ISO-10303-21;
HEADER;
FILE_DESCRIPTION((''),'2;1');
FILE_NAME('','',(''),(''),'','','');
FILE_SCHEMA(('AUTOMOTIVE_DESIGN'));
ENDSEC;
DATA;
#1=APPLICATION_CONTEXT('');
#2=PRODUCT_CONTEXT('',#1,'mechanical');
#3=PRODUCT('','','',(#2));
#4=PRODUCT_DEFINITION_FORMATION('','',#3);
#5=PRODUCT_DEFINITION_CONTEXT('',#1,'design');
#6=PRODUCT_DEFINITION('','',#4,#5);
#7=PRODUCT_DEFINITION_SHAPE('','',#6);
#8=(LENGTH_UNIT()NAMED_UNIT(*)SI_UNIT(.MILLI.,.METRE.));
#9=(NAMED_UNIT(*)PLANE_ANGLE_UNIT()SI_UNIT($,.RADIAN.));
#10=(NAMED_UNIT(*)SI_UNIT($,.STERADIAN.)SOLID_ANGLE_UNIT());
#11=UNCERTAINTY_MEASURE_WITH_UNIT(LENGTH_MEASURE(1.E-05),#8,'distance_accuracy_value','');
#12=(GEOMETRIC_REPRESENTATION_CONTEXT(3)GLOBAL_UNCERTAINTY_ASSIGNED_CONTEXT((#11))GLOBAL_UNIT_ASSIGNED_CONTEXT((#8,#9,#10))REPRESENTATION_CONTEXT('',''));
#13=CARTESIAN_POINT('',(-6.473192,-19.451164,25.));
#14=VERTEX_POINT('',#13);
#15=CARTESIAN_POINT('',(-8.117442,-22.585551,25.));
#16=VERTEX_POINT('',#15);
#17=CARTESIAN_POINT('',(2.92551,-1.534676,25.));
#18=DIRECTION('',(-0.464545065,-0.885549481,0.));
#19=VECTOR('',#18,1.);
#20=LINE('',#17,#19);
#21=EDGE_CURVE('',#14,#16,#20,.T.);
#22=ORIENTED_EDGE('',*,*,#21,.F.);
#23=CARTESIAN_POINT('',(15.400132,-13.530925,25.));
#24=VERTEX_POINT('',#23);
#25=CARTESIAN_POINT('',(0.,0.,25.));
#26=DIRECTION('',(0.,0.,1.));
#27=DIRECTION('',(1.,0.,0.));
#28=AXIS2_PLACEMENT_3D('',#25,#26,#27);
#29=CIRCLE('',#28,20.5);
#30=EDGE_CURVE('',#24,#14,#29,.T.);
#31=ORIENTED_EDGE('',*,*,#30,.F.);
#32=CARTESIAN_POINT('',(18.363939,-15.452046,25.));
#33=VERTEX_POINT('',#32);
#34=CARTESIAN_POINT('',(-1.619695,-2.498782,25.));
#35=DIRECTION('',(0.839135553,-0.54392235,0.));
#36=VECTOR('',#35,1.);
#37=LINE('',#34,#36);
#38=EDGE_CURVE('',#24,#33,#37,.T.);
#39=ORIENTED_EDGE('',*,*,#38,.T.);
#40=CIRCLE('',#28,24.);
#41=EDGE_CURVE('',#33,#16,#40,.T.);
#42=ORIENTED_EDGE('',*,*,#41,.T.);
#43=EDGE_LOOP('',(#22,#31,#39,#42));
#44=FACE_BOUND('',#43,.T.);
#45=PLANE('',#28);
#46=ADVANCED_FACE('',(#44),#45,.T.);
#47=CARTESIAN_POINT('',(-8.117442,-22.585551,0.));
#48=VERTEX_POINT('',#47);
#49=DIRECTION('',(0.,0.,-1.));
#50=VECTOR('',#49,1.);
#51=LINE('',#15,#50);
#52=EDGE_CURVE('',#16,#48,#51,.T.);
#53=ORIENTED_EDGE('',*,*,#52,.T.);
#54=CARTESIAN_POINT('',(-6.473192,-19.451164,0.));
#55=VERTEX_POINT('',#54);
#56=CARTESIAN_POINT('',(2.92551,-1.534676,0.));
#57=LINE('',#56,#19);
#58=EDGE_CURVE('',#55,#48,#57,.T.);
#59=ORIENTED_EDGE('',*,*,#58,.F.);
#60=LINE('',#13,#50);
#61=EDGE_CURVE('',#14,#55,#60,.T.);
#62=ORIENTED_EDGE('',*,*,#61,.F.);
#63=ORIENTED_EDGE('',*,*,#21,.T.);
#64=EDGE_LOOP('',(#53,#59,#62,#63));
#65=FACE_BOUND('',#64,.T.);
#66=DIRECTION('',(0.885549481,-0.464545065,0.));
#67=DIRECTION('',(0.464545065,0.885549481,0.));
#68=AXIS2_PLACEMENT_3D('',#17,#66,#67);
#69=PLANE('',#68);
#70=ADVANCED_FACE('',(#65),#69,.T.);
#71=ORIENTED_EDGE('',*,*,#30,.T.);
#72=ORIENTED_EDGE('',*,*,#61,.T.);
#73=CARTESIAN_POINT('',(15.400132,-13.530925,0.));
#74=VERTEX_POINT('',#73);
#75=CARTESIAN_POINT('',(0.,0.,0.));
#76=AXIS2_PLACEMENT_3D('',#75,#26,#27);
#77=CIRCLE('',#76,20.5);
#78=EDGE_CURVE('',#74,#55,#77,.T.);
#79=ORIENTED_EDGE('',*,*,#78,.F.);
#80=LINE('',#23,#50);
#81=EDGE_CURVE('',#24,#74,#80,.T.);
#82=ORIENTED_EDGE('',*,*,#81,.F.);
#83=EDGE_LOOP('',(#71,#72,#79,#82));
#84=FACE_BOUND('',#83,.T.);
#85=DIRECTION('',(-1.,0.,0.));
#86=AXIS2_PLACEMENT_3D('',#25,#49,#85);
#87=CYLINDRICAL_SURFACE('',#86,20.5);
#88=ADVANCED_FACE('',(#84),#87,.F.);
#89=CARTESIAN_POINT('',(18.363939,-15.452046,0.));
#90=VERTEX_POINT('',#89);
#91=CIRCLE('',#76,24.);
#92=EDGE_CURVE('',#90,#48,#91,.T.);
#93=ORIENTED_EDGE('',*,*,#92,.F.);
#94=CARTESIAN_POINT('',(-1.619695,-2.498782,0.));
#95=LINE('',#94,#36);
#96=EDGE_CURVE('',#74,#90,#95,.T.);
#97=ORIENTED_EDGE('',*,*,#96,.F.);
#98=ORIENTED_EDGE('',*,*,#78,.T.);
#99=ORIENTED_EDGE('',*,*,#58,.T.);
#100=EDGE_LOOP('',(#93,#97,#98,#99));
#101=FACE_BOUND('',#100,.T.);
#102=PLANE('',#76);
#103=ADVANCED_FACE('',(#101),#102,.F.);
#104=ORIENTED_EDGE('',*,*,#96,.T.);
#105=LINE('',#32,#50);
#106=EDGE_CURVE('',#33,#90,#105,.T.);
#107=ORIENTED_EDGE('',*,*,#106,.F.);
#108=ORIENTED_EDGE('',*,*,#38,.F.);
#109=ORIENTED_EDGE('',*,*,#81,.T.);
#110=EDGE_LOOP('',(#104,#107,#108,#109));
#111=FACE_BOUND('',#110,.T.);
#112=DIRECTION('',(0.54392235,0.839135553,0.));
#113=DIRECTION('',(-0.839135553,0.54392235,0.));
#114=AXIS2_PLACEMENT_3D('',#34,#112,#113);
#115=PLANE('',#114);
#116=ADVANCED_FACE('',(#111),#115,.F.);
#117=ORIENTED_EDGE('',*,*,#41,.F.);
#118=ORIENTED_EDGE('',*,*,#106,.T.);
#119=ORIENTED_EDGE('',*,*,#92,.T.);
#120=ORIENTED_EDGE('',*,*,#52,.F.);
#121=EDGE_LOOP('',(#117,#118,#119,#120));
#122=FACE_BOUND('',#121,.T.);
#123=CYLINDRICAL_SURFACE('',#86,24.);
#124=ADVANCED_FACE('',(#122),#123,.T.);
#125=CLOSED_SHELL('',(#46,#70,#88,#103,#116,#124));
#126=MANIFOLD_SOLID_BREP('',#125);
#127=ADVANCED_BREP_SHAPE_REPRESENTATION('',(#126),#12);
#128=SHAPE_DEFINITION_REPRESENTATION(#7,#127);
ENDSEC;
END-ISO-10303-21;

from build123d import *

# Parameters (mm, degrees)
BOSS_EXTRUDE1_DEPTH = 25


with BuildPart() as part:
    # Sketch1 → Boss-Extrude1 (new body)
    with BuildSketch(Plane.XY):
        with BuildLine():
            Line((-8.117441967, -22.585551486), (-6.473192498, -19.451163947))
            ThreePointArc((-6.473192498, -19.451163947), (-11.990612032, 16.627544109), (20.5, 0))
            ThreePointArc((20.5, 0), (19.182709681, -7.230051818), (15.400131776, -13.530925366))
            Line((15.400131776, -13.530925366), (18.363939094, -15.452046497))
            ThreePointArc((18.363939094, -15.452046497), (22.547001334, -8.223912139), (24, 0))
            ThreePointArc((24, 0), (-13.805458935, 19.631844121), (-8.117441967, -22.585551486))
        make_face()
    extrude(amount=BOSS_EXTRUDE1_DEPTH)


solid = part.part
